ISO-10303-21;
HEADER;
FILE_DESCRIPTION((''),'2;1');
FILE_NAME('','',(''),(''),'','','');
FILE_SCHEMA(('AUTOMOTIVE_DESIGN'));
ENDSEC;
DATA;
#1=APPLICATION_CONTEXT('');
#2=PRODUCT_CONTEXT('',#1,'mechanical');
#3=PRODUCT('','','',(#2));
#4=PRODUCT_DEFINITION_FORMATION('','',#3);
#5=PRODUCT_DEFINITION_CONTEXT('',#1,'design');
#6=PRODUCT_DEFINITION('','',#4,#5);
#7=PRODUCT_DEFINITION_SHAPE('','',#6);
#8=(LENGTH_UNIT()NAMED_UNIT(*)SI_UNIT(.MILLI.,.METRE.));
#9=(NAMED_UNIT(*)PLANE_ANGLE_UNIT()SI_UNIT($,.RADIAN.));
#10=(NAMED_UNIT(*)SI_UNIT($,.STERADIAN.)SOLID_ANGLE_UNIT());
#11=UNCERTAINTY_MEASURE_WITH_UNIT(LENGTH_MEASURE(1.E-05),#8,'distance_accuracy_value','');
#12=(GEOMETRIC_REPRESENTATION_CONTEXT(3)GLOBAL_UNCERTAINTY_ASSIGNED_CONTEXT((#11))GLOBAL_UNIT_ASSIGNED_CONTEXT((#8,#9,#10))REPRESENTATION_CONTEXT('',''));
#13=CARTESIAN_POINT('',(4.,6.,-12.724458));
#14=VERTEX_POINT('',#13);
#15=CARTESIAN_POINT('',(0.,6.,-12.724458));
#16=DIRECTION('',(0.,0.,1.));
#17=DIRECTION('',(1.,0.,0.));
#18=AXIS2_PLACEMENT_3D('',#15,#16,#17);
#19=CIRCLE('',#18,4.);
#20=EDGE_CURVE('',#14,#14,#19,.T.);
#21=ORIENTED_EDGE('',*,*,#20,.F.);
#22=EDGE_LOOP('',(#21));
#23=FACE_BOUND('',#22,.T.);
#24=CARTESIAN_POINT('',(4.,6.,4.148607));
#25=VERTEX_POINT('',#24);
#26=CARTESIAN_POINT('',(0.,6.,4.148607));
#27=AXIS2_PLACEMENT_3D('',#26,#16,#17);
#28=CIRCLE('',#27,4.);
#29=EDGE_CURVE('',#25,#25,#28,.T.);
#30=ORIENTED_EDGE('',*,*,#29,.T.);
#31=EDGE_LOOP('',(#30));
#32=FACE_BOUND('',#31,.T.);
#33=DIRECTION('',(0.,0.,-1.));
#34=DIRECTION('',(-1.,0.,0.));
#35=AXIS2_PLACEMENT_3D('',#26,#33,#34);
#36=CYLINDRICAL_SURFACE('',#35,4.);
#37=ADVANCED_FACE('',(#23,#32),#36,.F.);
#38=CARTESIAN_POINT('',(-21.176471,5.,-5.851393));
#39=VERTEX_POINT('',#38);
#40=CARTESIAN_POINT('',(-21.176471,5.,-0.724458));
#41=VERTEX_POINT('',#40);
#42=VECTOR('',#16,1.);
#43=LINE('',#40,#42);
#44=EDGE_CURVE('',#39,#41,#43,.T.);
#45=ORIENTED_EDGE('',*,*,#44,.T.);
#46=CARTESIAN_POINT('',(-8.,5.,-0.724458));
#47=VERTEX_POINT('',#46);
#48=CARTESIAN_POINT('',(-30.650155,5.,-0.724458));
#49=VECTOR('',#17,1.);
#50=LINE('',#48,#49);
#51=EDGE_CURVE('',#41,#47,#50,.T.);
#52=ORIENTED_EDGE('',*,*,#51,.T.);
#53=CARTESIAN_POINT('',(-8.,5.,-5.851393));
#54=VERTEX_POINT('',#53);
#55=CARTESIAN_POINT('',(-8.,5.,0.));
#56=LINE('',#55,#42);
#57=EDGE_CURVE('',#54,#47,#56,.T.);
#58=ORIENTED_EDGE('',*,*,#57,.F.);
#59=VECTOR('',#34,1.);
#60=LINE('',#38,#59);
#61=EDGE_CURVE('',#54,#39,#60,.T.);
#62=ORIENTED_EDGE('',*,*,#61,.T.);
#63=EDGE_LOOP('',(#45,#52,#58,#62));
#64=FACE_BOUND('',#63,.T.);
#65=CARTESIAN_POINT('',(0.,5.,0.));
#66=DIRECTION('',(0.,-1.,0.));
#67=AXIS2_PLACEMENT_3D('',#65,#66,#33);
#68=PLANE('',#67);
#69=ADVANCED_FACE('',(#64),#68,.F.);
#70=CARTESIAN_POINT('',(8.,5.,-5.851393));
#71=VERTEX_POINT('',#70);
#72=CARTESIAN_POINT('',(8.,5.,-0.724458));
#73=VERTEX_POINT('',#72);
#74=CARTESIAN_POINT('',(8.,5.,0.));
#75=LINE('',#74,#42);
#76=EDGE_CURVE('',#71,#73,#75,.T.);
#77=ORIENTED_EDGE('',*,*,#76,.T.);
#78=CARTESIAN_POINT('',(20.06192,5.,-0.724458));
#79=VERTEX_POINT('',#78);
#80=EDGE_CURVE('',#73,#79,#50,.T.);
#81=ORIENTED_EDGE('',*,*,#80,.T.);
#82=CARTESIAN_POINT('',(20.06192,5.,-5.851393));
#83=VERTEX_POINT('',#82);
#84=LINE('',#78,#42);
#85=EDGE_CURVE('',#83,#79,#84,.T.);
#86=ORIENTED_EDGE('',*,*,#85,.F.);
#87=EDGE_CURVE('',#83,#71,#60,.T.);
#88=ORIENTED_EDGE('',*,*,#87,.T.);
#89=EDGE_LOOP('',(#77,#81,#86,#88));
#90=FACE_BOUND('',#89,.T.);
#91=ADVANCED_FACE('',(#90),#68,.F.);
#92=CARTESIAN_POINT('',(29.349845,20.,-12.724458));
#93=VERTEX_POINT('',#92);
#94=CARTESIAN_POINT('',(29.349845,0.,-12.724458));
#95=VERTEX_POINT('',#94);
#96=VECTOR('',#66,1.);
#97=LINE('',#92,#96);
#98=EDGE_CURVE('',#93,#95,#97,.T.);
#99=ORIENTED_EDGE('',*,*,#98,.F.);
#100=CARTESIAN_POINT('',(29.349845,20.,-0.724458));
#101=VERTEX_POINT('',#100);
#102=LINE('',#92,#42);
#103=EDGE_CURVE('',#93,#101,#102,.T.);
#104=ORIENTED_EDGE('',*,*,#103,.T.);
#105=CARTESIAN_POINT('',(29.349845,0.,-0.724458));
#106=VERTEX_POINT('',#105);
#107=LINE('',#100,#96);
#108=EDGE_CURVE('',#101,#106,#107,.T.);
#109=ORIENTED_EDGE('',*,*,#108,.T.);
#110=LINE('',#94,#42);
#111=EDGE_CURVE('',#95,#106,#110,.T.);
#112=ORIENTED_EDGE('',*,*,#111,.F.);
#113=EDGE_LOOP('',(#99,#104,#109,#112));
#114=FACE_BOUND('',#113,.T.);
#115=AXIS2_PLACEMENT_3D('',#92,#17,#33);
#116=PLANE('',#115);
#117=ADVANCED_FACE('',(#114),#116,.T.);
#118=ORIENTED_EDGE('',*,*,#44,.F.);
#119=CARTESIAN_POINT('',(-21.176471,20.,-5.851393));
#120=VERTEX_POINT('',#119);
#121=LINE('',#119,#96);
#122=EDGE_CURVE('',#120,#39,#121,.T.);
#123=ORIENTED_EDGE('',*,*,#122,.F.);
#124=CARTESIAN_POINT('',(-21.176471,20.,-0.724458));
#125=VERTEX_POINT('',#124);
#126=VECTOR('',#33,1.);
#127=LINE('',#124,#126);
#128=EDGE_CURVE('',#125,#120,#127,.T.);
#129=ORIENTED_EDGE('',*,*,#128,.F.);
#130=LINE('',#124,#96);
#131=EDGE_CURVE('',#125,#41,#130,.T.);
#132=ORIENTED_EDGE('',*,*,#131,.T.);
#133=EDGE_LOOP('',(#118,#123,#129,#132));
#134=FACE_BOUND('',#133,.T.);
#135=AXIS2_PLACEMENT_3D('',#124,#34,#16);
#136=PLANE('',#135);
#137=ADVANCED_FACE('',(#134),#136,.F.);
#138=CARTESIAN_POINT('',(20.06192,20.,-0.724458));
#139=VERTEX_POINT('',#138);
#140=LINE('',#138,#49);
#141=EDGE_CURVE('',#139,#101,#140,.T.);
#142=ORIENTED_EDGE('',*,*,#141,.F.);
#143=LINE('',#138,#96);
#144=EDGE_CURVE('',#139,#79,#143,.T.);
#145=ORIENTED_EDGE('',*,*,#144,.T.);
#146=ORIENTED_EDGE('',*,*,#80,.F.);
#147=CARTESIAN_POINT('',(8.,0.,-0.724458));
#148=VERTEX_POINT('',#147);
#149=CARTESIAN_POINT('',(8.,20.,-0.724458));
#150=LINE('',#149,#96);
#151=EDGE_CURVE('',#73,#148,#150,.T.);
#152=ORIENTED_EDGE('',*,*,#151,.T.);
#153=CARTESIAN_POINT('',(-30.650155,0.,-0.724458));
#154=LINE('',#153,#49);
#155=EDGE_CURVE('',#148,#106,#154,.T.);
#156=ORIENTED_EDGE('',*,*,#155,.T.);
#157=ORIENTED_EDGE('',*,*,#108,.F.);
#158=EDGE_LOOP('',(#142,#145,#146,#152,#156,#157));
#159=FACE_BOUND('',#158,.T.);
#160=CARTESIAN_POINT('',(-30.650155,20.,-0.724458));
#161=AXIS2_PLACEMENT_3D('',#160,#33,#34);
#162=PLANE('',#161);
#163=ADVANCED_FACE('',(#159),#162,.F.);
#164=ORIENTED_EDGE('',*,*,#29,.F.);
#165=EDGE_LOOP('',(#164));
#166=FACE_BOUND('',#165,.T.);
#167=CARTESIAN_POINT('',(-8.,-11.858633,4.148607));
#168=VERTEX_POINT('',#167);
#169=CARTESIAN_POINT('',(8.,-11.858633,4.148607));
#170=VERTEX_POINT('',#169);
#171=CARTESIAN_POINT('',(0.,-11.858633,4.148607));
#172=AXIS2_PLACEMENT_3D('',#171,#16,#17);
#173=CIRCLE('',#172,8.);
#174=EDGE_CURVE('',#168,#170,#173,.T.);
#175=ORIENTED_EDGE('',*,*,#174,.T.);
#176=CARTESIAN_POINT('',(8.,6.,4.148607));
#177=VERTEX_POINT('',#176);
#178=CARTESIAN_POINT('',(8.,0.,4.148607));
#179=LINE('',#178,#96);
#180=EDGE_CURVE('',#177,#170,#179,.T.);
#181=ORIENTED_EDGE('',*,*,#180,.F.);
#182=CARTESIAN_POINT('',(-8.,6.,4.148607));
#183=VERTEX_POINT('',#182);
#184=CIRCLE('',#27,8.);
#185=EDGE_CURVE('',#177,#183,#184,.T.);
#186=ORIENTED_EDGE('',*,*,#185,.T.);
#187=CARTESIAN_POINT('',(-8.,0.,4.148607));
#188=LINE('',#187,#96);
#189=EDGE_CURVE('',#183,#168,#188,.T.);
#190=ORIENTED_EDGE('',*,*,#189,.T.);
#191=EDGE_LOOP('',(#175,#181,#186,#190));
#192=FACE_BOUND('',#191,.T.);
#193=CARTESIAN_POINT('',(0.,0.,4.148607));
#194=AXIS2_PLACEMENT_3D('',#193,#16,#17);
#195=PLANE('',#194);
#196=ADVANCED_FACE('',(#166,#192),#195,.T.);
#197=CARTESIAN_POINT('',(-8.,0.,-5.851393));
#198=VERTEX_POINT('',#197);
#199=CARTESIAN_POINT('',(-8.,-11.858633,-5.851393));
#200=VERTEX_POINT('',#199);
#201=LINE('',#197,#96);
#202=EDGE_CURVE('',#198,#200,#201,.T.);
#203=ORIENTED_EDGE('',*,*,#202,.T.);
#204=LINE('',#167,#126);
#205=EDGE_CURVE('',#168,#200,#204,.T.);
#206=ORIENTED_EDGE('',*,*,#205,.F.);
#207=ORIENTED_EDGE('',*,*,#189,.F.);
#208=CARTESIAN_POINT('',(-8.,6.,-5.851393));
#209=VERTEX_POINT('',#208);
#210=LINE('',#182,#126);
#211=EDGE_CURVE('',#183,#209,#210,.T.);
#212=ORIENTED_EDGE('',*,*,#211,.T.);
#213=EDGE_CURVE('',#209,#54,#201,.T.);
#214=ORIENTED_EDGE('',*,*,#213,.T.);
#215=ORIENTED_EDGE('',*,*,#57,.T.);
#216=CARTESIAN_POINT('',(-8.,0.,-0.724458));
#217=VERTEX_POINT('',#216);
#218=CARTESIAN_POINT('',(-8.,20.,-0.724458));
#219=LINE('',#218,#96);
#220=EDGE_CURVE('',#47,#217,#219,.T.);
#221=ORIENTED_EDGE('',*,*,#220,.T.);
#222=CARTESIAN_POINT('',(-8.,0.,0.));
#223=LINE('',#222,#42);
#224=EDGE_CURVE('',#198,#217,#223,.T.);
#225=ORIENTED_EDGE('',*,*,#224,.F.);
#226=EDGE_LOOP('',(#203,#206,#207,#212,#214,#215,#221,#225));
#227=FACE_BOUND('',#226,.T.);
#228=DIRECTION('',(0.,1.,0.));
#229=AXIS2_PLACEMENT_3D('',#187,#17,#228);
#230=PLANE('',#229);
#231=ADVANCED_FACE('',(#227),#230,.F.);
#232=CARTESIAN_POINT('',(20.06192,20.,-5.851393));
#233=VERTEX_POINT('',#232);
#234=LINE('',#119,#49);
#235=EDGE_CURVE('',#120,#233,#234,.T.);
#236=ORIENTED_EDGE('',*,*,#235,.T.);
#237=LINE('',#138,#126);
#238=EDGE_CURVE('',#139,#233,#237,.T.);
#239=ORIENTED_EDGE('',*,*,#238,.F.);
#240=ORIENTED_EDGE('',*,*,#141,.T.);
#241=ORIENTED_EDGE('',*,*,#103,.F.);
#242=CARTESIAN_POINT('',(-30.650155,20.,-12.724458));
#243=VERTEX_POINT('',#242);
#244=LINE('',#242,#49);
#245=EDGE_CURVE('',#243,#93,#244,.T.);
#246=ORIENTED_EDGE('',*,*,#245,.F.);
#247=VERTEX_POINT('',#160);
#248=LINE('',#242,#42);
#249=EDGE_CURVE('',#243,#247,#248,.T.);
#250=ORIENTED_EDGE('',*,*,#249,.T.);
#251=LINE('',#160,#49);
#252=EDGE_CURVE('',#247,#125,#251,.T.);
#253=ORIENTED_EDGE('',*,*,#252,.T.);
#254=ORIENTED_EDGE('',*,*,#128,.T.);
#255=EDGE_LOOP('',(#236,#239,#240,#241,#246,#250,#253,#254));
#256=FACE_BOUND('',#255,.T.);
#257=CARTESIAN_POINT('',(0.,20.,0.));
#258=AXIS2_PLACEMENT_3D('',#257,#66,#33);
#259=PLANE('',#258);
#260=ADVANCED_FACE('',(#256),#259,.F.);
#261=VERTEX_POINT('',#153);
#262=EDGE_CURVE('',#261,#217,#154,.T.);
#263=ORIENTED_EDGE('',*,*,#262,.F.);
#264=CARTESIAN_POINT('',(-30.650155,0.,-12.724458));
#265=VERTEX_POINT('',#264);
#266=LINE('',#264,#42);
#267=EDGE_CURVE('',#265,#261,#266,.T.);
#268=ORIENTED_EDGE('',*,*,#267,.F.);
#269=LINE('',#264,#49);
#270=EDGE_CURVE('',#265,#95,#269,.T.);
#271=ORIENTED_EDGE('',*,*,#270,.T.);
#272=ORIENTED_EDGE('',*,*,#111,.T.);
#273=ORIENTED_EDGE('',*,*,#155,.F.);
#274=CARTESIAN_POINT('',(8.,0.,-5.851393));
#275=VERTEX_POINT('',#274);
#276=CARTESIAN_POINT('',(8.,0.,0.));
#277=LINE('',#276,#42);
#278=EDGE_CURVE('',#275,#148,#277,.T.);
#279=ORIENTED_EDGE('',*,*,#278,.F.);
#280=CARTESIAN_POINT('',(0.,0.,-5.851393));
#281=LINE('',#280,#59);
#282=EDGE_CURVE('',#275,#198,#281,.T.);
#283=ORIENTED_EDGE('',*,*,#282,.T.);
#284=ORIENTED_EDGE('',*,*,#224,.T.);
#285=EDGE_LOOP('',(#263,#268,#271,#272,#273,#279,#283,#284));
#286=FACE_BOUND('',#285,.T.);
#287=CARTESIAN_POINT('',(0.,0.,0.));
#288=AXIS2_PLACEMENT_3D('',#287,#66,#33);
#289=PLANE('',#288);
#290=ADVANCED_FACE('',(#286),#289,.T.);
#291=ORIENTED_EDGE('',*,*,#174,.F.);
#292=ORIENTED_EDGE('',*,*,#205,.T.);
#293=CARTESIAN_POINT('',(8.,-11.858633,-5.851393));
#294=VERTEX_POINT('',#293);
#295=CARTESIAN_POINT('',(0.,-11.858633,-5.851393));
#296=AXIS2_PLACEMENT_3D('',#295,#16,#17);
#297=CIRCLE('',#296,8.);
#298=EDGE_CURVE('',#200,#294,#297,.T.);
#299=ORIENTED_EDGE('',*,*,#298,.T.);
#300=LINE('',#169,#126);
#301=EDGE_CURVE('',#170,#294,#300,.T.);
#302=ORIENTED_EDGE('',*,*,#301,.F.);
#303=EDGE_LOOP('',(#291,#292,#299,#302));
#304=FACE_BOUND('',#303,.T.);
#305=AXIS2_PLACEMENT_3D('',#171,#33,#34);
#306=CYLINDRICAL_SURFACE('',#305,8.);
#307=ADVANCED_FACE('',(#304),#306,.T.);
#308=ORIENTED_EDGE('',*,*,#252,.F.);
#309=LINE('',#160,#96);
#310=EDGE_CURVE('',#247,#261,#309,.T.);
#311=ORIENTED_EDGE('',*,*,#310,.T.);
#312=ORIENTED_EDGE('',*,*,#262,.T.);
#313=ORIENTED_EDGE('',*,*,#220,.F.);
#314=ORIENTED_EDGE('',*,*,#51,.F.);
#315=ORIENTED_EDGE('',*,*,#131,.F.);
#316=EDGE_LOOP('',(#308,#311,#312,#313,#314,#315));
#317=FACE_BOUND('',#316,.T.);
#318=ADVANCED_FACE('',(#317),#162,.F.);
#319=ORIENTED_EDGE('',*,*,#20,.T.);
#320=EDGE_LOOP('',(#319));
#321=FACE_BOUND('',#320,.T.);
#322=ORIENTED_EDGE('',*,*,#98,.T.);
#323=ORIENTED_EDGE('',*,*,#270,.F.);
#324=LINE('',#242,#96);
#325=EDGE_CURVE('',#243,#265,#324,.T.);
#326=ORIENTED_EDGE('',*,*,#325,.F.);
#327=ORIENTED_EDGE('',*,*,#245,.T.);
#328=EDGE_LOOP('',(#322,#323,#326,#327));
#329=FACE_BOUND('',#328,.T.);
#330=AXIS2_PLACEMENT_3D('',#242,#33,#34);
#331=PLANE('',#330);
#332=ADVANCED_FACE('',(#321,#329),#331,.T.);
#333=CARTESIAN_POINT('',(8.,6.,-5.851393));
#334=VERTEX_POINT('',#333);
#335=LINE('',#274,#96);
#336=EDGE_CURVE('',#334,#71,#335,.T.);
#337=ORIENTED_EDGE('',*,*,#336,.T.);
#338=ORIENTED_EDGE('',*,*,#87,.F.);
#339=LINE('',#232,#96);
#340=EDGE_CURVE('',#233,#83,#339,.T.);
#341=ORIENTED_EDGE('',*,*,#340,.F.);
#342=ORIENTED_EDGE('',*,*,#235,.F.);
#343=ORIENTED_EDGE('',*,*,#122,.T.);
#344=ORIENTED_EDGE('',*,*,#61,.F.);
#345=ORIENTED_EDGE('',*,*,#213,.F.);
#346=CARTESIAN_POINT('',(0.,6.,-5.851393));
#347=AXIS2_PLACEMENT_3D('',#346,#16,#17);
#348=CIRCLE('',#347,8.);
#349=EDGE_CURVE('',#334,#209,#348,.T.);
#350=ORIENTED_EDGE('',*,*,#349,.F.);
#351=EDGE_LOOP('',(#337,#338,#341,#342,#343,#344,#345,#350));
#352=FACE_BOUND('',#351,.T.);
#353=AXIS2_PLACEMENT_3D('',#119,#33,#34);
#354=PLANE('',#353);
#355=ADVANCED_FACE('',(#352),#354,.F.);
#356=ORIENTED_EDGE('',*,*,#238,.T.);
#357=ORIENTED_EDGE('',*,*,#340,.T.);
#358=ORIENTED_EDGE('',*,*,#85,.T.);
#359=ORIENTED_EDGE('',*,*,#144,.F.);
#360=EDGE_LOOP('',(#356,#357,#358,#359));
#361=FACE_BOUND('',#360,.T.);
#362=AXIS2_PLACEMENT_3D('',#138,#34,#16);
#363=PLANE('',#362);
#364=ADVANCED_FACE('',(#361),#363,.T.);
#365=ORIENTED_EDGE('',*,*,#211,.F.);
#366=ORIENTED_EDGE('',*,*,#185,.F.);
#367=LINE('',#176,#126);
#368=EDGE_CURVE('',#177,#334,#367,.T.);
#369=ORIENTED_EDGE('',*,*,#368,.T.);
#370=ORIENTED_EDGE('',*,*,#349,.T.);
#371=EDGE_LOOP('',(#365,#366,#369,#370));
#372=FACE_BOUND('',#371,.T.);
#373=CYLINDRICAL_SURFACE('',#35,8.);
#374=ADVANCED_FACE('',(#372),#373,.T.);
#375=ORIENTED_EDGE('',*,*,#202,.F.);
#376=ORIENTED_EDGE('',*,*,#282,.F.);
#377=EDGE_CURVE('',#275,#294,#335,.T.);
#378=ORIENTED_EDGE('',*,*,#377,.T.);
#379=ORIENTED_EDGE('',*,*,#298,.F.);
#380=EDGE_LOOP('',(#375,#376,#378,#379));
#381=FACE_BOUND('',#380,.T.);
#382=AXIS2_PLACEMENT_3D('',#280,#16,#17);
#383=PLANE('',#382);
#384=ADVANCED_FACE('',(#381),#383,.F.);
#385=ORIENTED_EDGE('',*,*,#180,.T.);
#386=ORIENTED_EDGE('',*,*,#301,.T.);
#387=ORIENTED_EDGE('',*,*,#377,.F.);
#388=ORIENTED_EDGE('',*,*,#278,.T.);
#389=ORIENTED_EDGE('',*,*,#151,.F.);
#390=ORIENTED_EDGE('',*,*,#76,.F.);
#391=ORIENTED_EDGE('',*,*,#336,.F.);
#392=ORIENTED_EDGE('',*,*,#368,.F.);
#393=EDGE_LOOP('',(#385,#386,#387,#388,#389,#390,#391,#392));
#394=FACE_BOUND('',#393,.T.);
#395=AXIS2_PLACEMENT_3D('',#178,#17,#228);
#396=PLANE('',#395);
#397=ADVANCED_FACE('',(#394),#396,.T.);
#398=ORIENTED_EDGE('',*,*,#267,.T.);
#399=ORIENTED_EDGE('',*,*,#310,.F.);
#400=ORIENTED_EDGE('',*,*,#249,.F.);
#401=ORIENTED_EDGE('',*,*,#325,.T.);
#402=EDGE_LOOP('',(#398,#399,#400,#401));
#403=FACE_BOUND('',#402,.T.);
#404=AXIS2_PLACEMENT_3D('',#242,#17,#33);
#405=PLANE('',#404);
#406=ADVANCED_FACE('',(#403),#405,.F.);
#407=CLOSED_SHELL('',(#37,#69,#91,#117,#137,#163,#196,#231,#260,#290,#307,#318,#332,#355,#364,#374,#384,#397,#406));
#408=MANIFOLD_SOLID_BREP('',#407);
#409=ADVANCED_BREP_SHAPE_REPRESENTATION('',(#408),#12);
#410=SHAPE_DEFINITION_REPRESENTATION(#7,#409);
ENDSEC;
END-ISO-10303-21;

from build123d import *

# Parameters (mm, degrees)
BOSS_EXTRUDE1_DEPTH     = 20
SKETCH2_W               = 60
SKETCH2_H               = 12
BOSS_EXTRUDE2_DEPTH     = 5
SKETCH3_R               = 4
BOSS_EXTRUDE3_DEPTH     = 10
CUT_EXTRUDE1_DEPTH      = 38.939846984
CUT_EXTRUDE1_DEPTH_BACK = 38.939846984
SKETCH3_3_R             = 4


with BuildPart() as part:
    # Sketch1 → Boss-Extrude1 (new body)
    with BuildSketch(Plane(origin=(0, 0, 0), x_dir=(1, 0, 0), z_dir=(0, 1, 0))):
        Polygon((20.061919505, 0.724458204), (29.349845201, 0.724458204), (29.349845201, 12.724458204), (-30.650154799, 12.724458204), (-30.650154799, 0.724458204), (-21.176470588, 0.724458204), (-21.176470588, 5.851393189), (20.061919505, 5.851393189), align=None)
    extrude(amount=BOSS_EXTRUDE1_DEPTH)

    # Sketch2 → Boss-Extrude2 (add)
    with BuildSketch(Plane.XZ):
        with Locations((-0.650154799, -6.724458204)):
            Rectangle(SKETCH2_W, SKETCH2_H)
    extrude(amount=-BOSS_EXTRUDE2_DEPTH)

    # Sketch3 → Boss-Extrude3 (add)
    with BuildSketch(Plane.XY.offset(-5.851393189)):
        with BuildLine():
            Line((8, -11.858632677), (8, 6))
            ThreePointArc((8, 6), (0, 14), (-8, 6))
            Line((-8, 6), (-8, -11.858632677))
            ThreePointArc((-8, -11.858632677), (0, -19.858632677), (8, -11.858632677))
        make_face()
        with Locations((0, 6)):
            Circle(SKETCH3_R, mode=Mode.SUBTRACT)
    extrude(amount=BOSS_EXTRUDE3_DEPTH)

    # Sketch3<3> → Cut-Extrude1 (cut, two sides: drawn at the far end of the back side and taken through both)
    with BuildSketch(Plane.XY.offset(-5.851393189).offset(-CUT_EXTRUDE1_DEPTH_BACK)):
        with Locations((0, 6)):
            Circle(SKETCH3_3_R)
    extrude(amount=CUT_EXTRUDE1_DEPTH + CUT_EXTRUDE1_DEPTH_BACK, mode=Mode.SUBTRACT)


solid = part.part
